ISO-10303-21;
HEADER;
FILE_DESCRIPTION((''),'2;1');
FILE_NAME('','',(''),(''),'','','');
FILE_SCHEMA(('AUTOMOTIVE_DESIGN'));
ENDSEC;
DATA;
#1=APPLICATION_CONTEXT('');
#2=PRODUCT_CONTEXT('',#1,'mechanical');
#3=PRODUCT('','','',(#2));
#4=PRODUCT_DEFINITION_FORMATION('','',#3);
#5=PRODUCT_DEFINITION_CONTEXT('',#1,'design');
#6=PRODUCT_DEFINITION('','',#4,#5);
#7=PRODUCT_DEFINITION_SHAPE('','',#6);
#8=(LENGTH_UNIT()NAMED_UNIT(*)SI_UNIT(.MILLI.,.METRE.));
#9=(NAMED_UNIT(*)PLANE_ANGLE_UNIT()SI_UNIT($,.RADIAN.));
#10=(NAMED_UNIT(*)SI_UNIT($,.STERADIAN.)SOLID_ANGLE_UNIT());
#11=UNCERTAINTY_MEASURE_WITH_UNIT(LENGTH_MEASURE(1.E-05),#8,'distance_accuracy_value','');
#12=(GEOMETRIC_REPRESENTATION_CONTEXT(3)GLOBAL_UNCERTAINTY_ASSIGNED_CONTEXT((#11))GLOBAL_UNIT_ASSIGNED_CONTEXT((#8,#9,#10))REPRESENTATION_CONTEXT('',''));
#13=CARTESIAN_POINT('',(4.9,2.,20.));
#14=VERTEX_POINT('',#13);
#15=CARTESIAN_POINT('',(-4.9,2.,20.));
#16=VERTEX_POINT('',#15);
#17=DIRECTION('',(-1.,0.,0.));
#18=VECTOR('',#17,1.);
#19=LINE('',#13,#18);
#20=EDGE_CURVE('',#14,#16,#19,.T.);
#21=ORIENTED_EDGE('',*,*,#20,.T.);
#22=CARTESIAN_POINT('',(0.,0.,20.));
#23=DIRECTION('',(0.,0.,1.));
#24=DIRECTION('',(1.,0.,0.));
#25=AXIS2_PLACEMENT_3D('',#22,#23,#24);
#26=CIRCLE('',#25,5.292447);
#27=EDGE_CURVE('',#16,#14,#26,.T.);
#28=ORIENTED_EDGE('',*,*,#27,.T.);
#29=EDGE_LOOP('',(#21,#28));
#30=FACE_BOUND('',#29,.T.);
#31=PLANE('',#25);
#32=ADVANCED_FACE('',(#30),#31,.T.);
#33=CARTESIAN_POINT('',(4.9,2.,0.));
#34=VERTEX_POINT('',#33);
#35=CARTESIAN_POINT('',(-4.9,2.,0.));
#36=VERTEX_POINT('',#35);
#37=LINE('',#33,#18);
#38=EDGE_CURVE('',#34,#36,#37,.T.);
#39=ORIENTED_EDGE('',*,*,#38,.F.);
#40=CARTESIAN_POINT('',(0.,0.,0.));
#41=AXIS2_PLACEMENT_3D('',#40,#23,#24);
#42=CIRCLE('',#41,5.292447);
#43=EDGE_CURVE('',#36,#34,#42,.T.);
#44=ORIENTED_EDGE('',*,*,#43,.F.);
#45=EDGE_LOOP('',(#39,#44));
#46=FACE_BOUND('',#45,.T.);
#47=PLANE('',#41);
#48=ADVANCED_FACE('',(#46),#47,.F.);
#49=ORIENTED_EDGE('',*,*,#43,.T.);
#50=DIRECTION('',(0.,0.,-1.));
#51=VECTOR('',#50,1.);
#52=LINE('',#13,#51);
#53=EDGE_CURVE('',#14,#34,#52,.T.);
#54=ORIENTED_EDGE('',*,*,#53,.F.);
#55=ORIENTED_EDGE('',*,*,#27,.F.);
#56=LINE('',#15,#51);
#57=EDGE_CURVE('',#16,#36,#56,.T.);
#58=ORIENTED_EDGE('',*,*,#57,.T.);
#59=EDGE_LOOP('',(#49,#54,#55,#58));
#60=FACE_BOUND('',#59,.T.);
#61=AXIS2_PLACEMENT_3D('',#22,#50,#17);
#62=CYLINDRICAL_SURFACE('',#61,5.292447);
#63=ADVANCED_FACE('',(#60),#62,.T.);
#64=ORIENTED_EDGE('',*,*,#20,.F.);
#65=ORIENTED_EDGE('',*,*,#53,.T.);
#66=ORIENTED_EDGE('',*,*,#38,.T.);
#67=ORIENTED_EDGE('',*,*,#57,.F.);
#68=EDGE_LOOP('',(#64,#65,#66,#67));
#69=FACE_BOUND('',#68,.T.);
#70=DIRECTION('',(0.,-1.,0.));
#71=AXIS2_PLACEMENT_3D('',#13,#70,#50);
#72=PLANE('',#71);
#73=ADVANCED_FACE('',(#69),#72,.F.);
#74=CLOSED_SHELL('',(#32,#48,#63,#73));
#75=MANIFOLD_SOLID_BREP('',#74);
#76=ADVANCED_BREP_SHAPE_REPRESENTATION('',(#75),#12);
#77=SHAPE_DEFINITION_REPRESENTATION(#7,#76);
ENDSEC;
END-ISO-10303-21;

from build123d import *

# Parameters (mm, degrees)
EXTRUDE_1_DEPTH = 20


with BuildPart() as part:
    # 草图1 → 凸台-拉伸1 (new body)
    with BuildSketch(Plane.XY):
        with BuildLine():
            Line((4.9, 2), (-4.9, 2))
            ThreePointArc((-4.9, 2), (0, -5.292447449), (4.9, 2))
        make_face()
    extrude(amount=EXTRUDE_1_DEPTH)


solid = part.part
